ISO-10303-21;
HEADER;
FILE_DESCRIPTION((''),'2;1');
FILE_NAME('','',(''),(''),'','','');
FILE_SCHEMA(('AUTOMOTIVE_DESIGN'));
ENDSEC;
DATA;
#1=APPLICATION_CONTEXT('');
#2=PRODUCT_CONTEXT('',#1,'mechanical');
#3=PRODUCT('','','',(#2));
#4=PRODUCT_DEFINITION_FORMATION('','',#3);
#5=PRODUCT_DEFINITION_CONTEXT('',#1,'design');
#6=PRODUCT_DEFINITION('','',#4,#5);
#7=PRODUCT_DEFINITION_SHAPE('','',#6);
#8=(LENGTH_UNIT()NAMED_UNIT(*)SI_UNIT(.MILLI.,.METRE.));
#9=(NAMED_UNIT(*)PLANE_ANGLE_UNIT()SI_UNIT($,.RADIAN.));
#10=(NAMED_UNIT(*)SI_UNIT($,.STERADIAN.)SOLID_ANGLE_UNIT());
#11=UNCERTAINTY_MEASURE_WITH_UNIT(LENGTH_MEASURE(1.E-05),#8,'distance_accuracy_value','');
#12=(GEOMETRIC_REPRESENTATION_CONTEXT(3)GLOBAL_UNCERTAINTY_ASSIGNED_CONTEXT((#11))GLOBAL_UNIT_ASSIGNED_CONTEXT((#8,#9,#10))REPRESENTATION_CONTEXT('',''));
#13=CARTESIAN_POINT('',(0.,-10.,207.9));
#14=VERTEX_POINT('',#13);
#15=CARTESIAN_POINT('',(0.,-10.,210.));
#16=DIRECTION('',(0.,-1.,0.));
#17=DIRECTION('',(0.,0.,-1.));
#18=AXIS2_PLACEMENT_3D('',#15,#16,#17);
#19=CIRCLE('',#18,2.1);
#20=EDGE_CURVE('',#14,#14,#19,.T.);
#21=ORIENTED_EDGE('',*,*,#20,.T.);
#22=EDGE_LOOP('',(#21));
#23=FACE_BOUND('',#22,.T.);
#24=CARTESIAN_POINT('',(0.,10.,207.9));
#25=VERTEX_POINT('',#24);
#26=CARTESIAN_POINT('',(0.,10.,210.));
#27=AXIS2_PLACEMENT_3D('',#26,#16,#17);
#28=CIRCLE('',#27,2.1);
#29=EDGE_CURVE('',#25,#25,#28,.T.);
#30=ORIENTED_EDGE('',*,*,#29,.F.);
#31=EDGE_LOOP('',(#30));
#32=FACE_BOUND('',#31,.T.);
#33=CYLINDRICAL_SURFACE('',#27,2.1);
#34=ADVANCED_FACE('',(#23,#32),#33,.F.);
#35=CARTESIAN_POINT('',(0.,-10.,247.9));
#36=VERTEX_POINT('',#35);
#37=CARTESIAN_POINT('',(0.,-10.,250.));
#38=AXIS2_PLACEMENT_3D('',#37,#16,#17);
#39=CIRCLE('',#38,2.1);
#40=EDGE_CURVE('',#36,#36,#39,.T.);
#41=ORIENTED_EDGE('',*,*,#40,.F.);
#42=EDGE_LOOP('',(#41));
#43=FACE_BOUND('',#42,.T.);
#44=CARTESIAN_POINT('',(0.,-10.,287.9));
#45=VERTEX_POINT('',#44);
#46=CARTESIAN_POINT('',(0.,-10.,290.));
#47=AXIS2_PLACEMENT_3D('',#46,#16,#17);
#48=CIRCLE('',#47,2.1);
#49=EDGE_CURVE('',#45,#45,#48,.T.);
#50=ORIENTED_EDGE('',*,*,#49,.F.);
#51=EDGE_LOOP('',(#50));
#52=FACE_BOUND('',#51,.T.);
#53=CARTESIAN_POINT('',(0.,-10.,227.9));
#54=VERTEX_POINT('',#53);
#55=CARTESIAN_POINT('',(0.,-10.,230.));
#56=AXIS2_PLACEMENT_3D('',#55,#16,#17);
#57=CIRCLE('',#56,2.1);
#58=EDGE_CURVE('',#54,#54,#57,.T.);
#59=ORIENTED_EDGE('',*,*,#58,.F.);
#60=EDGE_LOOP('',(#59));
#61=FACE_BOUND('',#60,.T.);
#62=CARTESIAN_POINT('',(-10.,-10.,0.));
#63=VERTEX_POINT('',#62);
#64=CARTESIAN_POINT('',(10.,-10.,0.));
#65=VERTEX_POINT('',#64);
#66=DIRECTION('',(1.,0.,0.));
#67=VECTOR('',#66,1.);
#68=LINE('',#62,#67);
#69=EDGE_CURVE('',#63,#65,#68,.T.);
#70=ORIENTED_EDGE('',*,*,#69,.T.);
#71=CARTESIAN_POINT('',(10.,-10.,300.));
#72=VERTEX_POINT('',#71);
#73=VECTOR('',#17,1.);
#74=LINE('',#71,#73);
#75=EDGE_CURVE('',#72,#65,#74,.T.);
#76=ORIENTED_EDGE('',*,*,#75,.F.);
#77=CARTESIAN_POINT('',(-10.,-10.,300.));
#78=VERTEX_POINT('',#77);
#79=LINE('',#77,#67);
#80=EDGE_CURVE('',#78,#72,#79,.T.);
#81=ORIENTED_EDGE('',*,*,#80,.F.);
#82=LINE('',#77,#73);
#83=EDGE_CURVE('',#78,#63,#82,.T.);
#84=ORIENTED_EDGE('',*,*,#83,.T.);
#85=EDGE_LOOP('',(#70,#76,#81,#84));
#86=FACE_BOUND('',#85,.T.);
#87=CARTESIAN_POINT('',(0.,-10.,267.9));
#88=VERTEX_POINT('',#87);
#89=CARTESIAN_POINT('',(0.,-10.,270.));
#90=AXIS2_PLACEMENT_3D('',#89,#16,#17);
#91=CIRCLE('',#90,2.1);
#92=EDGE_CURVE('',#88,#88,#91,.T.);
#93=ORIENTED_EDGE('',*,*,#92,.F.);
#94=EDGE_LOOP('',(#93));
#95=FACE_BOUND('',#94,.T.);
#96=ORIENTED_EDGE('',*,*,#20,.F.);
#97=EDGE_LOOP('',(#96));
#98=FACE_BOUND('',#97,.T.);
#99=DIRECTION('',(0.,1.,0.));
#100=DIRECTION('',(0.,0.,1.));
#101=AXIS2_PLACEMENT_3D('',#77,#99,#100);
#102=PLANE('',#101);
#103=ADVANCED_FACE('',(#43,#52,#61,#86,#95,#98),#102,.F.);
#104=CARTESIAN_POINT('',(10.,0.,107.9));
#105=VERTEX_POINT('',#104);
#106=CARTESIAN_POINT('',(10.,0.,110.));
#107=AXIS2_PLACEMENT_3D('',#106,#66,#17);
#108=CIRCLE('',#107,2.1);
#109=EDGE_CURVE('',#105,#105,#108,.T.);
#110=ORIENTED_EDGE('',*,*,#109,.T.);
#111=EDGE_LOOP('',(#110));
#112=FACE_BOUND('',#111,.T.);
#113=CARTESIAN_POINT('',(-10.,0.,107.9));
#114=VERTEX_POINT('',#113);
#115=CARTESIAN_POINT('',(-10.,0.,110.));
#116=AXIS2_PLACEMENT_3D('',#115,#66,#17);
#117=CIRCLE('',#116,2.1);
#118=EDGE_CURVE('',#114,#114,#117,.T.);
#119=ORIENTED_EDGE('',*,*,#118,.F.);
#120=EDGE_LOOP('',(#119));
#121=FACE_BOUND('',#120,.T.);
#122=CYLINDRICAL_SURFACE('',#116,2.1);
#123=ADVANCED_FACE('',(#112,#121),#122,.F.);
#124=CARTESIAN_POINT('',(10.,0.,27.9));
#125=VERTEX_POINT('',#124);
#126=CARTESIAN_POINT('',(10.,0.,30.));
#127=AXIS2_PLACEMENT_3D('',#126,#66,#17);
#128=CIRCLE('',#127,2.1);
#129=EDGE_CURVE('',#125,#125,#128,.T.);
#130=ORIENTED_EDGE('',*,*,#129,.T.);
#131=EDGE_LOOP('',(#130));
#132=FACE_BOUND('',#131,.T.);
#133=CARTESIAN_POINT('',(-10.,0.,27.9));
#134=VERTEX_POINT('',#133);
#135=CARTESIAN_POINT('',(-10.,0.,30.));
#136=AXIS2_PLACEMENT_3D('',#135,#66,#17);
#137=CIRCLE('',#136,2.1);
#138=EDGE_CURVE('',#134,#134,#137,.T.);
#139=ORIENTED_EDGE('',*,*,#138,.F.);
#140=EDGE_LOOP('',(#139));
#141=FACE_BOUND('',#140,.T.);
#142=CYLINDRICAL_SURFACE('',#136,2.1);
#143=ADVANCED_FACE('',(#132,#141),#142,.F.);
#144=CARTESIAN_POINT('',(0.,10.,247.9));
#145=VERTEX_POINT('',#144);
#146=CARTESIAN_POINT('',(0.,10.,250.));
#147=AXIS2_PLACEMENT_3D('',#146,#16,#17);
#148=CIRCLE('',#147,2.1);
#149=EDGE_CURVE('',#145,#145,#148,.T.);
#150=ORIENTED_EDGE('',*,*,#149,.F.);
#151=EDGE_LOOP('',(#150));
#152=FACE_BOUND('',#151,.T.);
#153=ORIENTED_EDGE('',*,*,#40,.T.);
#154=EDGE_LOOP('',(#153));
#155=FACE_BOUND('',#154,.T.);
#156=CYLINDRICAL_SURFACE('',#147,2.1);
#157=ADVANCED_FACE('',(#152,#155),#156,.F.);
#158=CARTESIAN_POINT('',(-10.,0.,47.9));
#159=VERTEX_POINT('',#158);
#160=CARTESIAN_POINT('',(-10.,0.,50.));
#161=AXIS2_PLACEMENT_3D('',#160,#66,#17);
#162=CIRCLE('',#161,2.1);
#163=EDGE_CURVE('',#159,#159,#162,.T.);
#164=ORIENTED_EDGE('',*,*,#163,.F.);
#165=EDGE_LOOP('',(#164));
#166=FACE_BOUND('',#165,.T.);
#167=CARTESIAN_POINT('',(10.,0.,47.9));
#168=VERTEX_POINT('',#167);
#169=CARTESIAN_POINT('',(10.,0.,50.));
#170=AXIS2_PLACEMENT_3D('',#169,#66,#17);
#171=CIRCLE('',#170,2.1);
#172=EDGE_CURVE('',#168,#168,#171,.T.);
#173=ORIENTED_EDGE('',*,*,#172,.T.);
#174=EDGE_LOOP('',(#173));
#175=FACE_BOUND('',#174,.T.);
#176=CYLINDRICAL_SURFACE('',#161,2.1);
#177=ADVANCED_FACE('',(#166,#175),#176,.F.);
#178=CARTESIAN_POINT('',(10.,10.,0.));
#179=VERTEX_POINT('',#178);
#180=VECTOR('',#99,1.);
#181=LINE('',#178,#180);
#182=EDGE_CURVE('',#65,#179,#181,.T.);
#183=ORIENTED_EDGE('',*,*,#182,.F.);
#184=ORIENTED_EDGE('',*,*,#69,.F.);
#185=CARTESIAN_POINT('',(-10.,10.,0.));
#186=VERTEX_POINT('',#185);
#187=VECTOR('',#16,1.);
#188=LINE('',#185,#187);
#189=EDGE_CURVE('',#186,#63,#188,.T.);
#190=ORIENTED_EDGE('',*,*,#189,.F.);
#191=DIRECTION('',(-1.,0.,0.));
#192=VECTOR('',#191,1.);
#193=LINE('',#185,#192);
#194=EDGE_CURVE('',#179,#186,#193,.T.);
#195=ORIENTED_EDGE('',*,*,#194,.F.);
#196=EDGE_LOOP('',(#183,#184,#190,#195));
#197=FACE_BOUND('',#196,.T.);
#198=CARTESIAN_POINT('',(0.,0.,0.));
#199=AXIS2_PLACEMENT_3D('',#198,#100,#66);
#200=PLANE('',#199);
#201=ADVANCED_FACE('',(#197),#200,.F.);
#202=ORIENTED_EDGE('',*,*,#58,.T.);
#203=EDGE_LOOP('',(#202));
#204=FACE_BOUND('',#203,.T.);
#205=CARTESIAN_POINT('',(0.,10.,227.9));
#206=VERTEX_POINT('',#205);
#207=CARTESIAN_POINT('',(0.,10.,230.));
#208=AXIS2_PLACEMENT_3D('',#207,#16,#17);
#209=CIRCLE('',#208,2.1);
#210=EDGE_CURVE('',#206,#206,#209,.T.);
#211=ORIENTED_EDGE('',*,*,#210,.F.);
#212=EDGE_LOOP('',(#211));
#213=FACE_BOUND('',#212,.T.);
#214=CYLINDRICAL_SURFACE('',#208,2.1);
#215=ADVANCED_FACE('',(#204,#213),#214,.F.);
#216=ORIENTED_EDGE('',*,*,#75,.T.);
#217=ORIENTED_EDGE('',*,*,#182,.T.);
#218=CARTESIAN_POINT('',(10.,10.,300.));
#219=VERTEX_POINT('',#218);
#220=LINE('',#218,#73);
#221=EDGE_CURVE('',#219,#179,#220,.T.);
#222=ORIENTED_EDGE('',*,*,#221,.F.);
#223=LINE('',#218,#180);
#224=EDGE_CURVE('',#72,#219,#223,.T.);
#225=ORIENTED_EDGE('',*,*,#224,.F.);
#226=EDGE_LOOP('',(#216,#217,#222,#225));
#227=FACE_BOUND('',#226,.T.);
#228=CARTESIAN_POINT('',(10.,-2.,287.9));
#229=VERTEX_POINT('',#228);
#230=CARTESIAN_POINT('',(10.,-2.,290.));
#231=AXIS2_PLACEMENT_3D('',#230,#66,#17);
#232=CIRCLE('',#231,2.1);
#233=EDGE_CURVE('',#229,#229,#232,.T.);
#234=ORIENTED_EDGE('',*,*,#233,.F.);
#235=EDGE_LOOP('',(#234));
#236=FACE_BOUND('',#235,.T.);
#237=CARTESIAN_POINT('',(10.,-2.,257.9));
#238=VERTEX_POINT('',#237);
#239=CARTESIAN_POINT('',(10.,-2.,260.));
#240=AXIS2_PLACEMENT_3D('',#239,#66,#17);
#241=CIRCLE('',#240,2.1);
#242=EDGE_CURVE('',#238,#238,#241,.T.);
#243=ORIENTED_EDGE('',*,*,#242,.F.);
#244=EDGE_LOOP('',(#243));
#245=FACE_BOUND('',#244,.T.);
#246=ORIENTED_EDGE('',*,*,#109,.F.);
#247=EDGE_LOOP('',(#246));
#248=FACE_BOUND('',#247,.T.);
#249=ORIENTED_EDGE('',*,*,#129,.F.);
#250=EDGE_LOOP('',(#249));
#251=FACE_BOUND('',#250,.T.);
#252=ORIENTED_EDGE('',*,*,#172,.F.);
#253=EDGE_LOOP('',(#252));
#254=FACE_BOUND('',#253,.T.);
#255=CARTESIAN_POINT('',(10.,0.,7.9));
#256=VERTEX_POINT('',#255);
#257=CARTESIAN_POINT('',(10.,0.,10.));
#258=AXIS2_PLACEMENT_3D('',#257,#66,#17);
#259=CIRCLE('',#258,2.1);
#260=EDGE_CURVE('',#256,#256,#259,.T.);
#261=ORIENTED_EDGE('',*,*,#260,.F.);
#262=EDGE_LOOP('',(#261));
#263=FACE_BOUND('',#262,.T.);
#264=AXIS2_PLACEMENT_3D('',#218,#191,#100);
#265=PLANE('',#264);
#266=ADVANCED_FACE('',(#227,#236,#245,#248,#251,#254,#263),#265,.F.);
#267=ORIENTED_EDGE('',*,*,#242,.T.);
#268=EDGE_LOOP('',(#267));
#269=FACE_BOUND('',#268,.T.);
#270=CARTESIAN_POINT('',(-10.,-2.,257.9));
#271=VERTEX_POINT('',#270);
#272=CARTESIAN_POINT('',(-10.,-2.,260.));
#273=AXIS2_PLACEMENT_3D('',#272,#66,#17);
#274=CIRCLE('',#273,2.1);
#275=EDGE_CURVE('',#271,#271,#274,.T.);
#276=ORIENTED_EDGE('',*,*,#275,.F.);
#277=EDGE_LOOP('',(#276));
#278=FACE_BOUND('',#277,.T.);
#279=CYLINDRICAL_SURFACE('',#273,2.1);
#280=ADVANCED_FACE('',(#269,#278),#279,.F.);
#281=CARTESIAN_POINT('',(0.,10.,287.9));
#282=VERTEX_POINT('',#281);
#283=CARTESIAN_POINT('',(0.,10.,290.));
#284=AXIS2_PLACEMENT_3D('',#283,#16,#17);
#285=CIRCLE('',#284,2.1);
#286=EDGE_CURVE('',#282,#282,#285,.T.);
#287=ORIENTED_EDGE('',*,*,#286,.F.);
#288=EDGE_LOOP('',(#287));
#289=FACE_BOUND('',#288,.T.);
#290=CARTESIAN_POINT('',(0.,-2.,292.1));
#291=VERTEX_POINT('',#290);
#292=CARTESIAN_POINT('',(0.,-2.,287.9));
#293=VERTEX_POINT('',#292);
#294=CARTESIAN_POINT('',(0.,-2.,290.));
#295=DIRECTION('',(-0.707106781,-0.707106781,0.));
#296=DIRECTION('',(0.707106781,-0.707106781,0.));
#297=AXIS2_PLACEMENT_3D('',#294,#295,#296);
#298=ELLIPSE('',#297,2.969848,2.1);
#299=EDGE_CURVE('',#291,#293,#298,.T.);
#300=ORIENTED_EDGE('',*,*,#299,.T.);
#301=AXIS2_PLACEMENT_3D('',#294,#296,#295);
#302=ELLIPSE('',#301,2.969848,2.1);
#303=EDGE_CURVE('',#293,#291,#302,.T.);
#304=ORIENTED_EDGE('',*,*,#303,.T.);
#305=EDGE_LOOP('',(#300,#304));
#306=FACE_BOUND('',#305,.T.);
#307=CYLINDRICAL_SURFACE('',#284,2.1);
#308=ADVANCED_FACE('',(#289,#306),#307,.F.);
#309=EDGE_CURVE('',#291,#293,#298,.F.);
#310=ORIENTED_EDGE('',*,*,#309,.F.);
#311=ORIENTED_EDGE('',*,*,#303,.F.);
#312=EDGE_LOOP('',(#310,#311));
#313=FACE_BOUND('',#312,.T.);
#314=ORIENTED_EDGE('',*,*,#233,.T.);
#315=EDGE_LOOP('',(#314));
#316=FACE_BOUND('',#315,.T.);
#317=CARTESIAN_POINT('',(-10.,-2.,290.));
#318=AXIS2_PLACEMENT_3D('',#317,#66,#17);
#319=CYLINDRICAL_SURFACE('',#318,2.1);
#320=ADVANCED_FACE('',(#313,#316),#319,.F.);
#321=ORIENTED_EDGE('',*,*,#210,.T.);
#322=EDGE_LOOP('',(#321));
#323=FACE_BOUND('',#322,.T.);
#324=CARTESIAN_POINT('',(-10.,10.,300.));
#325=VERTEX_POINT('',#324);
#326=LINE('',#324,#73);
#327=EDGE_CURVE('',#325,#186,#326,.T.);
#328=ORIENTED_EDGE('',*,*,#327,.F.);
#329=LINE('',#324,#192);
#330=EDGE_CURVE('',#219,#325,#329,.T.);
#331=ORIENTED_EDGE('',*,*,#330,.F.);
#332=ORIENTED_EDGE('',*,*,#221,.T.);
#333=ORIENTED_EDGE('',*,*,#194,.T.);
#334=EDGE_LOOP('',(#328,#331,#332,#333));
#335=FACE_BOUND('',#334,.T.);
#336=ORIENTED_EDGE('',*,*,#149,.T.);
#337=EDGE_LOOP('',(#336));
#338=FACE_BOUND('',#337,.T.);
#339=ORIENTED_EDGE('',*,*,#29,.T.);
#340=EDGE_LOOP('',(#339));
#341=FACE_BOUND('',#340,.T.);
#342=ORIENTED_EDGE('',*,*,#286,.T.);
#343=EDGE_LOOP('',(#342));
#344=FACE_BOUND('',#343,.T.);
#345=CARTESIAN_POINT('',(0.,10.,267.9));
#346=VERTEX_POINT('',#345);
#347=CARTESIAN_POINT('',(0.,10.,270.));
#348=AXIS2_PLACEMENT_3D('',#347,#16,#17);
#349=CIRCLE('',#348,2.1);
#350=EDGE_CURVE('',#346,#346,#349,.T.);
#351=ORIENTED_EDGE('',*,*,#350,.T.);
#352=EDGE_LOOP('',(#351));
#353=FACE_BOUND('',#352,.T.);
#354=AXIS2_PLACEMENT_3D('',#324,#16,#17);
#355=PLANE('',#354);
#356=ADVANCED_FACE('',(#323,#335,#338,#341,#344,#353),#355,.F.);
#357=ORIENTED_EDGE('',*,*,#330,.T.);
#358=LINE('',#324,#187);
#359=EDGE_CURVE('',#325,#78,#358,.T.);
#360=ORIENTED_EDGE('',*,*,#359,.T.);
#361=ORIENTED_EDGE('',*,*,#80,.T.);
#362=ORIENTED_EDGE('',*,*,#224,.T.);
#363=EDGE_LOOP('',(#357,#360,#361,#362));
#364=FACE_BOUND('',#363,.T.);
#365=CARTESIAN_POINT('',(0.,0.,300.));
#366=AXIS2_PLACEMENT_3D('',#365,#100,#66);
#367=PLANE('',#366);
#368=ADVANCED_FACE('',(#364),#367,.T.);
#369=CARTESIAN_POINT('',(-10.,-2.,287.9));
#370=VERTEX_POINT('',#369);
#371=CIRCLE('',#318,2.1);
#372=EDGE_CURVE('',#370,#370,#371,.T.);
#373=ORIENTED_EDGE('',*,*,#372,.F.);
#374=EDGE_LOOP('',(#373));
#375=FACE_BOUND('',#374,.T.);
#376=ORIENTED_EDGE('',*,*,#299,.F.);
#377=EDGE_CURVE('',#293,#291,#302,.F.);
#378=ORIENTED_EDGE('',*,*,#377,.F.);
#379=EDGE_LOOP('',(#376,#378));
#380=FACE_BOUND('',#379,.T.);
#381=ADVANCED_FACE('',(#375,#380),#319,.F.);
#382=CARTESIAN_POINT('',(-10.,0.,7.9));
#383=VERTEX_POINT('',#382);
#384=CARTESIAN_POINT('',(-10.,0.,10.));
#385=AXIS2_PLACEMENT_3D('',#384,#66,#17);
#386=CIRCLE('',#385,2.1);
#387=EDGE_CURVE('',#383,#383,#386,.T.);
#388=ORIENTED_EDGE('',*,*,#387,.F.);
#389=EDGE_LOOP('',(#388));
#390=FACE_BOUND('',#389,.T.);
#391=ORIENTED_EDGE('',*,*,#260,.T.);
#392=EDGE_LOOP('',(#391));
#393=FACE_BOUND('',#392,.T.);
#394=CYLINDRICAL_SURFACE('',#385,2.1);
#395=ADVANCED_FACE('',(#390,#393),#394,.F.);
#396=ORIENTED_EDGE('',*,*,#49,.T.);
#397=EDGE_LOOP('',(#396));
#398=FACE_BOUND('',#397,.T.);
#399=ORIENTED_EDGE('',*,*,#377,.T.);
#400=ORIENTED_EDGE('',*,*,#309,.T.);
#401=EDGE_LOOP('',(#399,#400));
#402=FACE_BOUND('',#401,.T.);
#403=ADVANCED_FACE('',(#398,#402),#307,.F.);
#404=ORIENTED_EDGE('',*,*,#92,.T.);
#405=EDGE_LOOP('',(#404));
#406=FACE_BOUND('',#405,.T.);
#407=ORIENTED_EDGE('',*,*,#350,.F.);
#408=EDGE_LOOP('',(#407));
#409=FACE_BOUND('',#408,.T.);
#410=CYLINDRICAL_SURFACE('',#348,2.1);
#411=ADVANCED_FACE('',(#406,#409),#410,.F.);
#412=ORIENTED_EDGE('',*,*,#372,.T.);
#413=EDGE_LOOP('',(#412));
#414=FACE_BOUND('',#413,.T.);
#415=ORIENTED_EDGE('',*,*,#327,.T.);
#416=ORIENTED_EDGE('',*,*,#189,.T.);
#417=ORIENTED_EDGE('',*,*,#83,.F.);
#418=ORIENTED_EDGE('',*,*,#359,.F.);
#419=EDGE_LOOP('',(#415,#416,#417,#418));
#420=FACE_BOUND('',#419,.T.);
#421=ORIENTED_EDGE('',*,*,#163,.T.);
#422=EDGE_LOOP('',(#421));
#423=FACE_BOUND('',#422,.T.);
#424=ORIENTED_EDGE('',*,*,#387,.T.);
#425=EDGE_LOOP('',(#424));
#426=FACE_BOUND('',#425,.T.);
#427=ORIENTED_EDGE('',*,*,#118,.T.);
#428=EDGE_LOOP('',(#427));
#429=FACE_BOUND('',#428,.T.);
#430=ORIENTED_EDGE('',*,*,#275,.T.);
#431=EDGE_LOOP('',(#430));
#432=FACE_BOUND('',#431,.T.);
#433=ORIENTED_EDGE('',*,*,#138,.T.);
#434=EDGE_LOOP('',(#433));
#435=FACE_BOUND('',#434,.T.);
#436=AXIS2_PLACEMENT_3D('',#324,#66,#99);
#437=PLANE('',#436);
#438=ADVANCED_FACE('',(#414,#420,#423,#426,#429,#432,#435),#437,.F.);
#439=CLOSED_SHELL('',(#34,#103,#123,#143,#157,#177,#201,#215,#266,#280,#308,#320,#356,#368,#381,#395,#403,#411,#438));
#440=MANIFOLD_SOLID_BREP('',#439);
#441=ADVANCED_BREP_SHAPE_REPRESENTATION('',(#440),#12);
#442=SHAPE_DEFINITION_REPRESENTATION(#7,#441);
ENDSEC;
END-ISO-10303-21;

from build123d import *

# Parameters (mm, degrees)
SKETCH_1_W          = 20
SKETCH_1_H          = 20
EXTRUDE_1_DEPTH     = 300
SKETCH_3_R          = 2.1
CUT_EXTRUDE_1_DEPTH = 301.83217913
SKETCH_4_R          = 2.1
CUT_EXTRUDE_2_DEPTH = 301.83217913
SKETCH_5_R          = 2.1
CUT_EXTRUDE_3_DEPTH = 301.83217913
SKETCH_7_R          = 2.1
CUT_EXTRUDE_4_DEPTH = 301.83217913
SKETCH_8_R          = 2.1
CUT_EXTRUDE_5_DEPTH = 301.83217913


with BuildPart() as part:
    # 草图1 → 凸台-拉伸1 (new body)
    with BuildSketch(Plane.XY):
        Rectangle(SKETCH_1_W, SKETCH_1_H)
    extrude(amount=EXTRUDE_1_DEPTH)

    # 草图3 → 切除-拉伸1 (cut, through all)
    with BuildSketch(Plane(origin=(10, 0, 0), x_dir=(0, 0, -1), z_dir=(1, 0, 0))):
        with Locations((-10, 0)):
            Circle(SKETCH_3_R)
        with Locations((-30, 0)):
            Circle(SKETCH_3_R)
    extrude(amount=-CUT_EXTRUDE_1_DEPTH, mode=Mode.SUBTRACT)

    # 草图4 → 切除-拉伸2 (cut, through all)
    with BuildSketch(Plane(origin=(10, 0, 0), x_dir=(0, 0, -1), z_dir=(1, 0, 0))):
        with Locations((-110, 0)):
            Circle(SKETCH_4_R)
    extrude(amount=-CUT_EXTRUDE_2_DEPTH, mode=Mode.SUBTRACT)

    # 草图5 → 切除-拉伸3 (cut, through all)
    with BuildSketch(Plane(origin=(10, 0, 0), x_dir=(0, 0, -1), z_dir=(1, 0, 0))):
        with Locations((-50, 0)):
            Circle(SKETCH_5_R)
    extrude(amount=-CUT_EXTRUDE_3_DEPTH, mode=Mode.SUBTRACT)

    # 草图7 → 切除-拉伸4 (cut, through all)
    with BuildSketch(Plane.XZ.offset(10)):
        with Locations(Location((0, 290, 0), (0, 0, 270))):
            Circle(SKETCH_7_R)
        with Locations(Location((0, 270, 0), (0, 0, 270))):
            Circle(SKETCH_7_R)
        with Locations(Location((0, 250, 0), (0, 0, 270))):
            Circle(SKETCH_7_R)
        with Locations(Location((0, 230, 0), (0, 0, 270))):
            Circle(SKETCH_7_R)
        with Locations(Location((0, 210, 0), (0, 0, 270))):
            Circle(SKETCH_7_R)
    extrude(amount=-CUT_EXTRUDE_4_DEPTH, mode=Mode.SUBTRACT)

    # 草图8 → 切除-拉伸5 (cut, through all)
    with BuildSketch(Plane(origin=(10, 0, 0), x_dir=(0, 0, -1), z_dir=(1, 0, 0))):
        with Locations((-290, -2)):
            Circle(SKETCH_8_R)
        with Locations((-260, -2)):
            Circle(SKETCH_8_R)
    extrude(amount=-CUT_EXTRUDE_5_DEPTH, mode=Mode.SUBTRACT)


solid = part.part
